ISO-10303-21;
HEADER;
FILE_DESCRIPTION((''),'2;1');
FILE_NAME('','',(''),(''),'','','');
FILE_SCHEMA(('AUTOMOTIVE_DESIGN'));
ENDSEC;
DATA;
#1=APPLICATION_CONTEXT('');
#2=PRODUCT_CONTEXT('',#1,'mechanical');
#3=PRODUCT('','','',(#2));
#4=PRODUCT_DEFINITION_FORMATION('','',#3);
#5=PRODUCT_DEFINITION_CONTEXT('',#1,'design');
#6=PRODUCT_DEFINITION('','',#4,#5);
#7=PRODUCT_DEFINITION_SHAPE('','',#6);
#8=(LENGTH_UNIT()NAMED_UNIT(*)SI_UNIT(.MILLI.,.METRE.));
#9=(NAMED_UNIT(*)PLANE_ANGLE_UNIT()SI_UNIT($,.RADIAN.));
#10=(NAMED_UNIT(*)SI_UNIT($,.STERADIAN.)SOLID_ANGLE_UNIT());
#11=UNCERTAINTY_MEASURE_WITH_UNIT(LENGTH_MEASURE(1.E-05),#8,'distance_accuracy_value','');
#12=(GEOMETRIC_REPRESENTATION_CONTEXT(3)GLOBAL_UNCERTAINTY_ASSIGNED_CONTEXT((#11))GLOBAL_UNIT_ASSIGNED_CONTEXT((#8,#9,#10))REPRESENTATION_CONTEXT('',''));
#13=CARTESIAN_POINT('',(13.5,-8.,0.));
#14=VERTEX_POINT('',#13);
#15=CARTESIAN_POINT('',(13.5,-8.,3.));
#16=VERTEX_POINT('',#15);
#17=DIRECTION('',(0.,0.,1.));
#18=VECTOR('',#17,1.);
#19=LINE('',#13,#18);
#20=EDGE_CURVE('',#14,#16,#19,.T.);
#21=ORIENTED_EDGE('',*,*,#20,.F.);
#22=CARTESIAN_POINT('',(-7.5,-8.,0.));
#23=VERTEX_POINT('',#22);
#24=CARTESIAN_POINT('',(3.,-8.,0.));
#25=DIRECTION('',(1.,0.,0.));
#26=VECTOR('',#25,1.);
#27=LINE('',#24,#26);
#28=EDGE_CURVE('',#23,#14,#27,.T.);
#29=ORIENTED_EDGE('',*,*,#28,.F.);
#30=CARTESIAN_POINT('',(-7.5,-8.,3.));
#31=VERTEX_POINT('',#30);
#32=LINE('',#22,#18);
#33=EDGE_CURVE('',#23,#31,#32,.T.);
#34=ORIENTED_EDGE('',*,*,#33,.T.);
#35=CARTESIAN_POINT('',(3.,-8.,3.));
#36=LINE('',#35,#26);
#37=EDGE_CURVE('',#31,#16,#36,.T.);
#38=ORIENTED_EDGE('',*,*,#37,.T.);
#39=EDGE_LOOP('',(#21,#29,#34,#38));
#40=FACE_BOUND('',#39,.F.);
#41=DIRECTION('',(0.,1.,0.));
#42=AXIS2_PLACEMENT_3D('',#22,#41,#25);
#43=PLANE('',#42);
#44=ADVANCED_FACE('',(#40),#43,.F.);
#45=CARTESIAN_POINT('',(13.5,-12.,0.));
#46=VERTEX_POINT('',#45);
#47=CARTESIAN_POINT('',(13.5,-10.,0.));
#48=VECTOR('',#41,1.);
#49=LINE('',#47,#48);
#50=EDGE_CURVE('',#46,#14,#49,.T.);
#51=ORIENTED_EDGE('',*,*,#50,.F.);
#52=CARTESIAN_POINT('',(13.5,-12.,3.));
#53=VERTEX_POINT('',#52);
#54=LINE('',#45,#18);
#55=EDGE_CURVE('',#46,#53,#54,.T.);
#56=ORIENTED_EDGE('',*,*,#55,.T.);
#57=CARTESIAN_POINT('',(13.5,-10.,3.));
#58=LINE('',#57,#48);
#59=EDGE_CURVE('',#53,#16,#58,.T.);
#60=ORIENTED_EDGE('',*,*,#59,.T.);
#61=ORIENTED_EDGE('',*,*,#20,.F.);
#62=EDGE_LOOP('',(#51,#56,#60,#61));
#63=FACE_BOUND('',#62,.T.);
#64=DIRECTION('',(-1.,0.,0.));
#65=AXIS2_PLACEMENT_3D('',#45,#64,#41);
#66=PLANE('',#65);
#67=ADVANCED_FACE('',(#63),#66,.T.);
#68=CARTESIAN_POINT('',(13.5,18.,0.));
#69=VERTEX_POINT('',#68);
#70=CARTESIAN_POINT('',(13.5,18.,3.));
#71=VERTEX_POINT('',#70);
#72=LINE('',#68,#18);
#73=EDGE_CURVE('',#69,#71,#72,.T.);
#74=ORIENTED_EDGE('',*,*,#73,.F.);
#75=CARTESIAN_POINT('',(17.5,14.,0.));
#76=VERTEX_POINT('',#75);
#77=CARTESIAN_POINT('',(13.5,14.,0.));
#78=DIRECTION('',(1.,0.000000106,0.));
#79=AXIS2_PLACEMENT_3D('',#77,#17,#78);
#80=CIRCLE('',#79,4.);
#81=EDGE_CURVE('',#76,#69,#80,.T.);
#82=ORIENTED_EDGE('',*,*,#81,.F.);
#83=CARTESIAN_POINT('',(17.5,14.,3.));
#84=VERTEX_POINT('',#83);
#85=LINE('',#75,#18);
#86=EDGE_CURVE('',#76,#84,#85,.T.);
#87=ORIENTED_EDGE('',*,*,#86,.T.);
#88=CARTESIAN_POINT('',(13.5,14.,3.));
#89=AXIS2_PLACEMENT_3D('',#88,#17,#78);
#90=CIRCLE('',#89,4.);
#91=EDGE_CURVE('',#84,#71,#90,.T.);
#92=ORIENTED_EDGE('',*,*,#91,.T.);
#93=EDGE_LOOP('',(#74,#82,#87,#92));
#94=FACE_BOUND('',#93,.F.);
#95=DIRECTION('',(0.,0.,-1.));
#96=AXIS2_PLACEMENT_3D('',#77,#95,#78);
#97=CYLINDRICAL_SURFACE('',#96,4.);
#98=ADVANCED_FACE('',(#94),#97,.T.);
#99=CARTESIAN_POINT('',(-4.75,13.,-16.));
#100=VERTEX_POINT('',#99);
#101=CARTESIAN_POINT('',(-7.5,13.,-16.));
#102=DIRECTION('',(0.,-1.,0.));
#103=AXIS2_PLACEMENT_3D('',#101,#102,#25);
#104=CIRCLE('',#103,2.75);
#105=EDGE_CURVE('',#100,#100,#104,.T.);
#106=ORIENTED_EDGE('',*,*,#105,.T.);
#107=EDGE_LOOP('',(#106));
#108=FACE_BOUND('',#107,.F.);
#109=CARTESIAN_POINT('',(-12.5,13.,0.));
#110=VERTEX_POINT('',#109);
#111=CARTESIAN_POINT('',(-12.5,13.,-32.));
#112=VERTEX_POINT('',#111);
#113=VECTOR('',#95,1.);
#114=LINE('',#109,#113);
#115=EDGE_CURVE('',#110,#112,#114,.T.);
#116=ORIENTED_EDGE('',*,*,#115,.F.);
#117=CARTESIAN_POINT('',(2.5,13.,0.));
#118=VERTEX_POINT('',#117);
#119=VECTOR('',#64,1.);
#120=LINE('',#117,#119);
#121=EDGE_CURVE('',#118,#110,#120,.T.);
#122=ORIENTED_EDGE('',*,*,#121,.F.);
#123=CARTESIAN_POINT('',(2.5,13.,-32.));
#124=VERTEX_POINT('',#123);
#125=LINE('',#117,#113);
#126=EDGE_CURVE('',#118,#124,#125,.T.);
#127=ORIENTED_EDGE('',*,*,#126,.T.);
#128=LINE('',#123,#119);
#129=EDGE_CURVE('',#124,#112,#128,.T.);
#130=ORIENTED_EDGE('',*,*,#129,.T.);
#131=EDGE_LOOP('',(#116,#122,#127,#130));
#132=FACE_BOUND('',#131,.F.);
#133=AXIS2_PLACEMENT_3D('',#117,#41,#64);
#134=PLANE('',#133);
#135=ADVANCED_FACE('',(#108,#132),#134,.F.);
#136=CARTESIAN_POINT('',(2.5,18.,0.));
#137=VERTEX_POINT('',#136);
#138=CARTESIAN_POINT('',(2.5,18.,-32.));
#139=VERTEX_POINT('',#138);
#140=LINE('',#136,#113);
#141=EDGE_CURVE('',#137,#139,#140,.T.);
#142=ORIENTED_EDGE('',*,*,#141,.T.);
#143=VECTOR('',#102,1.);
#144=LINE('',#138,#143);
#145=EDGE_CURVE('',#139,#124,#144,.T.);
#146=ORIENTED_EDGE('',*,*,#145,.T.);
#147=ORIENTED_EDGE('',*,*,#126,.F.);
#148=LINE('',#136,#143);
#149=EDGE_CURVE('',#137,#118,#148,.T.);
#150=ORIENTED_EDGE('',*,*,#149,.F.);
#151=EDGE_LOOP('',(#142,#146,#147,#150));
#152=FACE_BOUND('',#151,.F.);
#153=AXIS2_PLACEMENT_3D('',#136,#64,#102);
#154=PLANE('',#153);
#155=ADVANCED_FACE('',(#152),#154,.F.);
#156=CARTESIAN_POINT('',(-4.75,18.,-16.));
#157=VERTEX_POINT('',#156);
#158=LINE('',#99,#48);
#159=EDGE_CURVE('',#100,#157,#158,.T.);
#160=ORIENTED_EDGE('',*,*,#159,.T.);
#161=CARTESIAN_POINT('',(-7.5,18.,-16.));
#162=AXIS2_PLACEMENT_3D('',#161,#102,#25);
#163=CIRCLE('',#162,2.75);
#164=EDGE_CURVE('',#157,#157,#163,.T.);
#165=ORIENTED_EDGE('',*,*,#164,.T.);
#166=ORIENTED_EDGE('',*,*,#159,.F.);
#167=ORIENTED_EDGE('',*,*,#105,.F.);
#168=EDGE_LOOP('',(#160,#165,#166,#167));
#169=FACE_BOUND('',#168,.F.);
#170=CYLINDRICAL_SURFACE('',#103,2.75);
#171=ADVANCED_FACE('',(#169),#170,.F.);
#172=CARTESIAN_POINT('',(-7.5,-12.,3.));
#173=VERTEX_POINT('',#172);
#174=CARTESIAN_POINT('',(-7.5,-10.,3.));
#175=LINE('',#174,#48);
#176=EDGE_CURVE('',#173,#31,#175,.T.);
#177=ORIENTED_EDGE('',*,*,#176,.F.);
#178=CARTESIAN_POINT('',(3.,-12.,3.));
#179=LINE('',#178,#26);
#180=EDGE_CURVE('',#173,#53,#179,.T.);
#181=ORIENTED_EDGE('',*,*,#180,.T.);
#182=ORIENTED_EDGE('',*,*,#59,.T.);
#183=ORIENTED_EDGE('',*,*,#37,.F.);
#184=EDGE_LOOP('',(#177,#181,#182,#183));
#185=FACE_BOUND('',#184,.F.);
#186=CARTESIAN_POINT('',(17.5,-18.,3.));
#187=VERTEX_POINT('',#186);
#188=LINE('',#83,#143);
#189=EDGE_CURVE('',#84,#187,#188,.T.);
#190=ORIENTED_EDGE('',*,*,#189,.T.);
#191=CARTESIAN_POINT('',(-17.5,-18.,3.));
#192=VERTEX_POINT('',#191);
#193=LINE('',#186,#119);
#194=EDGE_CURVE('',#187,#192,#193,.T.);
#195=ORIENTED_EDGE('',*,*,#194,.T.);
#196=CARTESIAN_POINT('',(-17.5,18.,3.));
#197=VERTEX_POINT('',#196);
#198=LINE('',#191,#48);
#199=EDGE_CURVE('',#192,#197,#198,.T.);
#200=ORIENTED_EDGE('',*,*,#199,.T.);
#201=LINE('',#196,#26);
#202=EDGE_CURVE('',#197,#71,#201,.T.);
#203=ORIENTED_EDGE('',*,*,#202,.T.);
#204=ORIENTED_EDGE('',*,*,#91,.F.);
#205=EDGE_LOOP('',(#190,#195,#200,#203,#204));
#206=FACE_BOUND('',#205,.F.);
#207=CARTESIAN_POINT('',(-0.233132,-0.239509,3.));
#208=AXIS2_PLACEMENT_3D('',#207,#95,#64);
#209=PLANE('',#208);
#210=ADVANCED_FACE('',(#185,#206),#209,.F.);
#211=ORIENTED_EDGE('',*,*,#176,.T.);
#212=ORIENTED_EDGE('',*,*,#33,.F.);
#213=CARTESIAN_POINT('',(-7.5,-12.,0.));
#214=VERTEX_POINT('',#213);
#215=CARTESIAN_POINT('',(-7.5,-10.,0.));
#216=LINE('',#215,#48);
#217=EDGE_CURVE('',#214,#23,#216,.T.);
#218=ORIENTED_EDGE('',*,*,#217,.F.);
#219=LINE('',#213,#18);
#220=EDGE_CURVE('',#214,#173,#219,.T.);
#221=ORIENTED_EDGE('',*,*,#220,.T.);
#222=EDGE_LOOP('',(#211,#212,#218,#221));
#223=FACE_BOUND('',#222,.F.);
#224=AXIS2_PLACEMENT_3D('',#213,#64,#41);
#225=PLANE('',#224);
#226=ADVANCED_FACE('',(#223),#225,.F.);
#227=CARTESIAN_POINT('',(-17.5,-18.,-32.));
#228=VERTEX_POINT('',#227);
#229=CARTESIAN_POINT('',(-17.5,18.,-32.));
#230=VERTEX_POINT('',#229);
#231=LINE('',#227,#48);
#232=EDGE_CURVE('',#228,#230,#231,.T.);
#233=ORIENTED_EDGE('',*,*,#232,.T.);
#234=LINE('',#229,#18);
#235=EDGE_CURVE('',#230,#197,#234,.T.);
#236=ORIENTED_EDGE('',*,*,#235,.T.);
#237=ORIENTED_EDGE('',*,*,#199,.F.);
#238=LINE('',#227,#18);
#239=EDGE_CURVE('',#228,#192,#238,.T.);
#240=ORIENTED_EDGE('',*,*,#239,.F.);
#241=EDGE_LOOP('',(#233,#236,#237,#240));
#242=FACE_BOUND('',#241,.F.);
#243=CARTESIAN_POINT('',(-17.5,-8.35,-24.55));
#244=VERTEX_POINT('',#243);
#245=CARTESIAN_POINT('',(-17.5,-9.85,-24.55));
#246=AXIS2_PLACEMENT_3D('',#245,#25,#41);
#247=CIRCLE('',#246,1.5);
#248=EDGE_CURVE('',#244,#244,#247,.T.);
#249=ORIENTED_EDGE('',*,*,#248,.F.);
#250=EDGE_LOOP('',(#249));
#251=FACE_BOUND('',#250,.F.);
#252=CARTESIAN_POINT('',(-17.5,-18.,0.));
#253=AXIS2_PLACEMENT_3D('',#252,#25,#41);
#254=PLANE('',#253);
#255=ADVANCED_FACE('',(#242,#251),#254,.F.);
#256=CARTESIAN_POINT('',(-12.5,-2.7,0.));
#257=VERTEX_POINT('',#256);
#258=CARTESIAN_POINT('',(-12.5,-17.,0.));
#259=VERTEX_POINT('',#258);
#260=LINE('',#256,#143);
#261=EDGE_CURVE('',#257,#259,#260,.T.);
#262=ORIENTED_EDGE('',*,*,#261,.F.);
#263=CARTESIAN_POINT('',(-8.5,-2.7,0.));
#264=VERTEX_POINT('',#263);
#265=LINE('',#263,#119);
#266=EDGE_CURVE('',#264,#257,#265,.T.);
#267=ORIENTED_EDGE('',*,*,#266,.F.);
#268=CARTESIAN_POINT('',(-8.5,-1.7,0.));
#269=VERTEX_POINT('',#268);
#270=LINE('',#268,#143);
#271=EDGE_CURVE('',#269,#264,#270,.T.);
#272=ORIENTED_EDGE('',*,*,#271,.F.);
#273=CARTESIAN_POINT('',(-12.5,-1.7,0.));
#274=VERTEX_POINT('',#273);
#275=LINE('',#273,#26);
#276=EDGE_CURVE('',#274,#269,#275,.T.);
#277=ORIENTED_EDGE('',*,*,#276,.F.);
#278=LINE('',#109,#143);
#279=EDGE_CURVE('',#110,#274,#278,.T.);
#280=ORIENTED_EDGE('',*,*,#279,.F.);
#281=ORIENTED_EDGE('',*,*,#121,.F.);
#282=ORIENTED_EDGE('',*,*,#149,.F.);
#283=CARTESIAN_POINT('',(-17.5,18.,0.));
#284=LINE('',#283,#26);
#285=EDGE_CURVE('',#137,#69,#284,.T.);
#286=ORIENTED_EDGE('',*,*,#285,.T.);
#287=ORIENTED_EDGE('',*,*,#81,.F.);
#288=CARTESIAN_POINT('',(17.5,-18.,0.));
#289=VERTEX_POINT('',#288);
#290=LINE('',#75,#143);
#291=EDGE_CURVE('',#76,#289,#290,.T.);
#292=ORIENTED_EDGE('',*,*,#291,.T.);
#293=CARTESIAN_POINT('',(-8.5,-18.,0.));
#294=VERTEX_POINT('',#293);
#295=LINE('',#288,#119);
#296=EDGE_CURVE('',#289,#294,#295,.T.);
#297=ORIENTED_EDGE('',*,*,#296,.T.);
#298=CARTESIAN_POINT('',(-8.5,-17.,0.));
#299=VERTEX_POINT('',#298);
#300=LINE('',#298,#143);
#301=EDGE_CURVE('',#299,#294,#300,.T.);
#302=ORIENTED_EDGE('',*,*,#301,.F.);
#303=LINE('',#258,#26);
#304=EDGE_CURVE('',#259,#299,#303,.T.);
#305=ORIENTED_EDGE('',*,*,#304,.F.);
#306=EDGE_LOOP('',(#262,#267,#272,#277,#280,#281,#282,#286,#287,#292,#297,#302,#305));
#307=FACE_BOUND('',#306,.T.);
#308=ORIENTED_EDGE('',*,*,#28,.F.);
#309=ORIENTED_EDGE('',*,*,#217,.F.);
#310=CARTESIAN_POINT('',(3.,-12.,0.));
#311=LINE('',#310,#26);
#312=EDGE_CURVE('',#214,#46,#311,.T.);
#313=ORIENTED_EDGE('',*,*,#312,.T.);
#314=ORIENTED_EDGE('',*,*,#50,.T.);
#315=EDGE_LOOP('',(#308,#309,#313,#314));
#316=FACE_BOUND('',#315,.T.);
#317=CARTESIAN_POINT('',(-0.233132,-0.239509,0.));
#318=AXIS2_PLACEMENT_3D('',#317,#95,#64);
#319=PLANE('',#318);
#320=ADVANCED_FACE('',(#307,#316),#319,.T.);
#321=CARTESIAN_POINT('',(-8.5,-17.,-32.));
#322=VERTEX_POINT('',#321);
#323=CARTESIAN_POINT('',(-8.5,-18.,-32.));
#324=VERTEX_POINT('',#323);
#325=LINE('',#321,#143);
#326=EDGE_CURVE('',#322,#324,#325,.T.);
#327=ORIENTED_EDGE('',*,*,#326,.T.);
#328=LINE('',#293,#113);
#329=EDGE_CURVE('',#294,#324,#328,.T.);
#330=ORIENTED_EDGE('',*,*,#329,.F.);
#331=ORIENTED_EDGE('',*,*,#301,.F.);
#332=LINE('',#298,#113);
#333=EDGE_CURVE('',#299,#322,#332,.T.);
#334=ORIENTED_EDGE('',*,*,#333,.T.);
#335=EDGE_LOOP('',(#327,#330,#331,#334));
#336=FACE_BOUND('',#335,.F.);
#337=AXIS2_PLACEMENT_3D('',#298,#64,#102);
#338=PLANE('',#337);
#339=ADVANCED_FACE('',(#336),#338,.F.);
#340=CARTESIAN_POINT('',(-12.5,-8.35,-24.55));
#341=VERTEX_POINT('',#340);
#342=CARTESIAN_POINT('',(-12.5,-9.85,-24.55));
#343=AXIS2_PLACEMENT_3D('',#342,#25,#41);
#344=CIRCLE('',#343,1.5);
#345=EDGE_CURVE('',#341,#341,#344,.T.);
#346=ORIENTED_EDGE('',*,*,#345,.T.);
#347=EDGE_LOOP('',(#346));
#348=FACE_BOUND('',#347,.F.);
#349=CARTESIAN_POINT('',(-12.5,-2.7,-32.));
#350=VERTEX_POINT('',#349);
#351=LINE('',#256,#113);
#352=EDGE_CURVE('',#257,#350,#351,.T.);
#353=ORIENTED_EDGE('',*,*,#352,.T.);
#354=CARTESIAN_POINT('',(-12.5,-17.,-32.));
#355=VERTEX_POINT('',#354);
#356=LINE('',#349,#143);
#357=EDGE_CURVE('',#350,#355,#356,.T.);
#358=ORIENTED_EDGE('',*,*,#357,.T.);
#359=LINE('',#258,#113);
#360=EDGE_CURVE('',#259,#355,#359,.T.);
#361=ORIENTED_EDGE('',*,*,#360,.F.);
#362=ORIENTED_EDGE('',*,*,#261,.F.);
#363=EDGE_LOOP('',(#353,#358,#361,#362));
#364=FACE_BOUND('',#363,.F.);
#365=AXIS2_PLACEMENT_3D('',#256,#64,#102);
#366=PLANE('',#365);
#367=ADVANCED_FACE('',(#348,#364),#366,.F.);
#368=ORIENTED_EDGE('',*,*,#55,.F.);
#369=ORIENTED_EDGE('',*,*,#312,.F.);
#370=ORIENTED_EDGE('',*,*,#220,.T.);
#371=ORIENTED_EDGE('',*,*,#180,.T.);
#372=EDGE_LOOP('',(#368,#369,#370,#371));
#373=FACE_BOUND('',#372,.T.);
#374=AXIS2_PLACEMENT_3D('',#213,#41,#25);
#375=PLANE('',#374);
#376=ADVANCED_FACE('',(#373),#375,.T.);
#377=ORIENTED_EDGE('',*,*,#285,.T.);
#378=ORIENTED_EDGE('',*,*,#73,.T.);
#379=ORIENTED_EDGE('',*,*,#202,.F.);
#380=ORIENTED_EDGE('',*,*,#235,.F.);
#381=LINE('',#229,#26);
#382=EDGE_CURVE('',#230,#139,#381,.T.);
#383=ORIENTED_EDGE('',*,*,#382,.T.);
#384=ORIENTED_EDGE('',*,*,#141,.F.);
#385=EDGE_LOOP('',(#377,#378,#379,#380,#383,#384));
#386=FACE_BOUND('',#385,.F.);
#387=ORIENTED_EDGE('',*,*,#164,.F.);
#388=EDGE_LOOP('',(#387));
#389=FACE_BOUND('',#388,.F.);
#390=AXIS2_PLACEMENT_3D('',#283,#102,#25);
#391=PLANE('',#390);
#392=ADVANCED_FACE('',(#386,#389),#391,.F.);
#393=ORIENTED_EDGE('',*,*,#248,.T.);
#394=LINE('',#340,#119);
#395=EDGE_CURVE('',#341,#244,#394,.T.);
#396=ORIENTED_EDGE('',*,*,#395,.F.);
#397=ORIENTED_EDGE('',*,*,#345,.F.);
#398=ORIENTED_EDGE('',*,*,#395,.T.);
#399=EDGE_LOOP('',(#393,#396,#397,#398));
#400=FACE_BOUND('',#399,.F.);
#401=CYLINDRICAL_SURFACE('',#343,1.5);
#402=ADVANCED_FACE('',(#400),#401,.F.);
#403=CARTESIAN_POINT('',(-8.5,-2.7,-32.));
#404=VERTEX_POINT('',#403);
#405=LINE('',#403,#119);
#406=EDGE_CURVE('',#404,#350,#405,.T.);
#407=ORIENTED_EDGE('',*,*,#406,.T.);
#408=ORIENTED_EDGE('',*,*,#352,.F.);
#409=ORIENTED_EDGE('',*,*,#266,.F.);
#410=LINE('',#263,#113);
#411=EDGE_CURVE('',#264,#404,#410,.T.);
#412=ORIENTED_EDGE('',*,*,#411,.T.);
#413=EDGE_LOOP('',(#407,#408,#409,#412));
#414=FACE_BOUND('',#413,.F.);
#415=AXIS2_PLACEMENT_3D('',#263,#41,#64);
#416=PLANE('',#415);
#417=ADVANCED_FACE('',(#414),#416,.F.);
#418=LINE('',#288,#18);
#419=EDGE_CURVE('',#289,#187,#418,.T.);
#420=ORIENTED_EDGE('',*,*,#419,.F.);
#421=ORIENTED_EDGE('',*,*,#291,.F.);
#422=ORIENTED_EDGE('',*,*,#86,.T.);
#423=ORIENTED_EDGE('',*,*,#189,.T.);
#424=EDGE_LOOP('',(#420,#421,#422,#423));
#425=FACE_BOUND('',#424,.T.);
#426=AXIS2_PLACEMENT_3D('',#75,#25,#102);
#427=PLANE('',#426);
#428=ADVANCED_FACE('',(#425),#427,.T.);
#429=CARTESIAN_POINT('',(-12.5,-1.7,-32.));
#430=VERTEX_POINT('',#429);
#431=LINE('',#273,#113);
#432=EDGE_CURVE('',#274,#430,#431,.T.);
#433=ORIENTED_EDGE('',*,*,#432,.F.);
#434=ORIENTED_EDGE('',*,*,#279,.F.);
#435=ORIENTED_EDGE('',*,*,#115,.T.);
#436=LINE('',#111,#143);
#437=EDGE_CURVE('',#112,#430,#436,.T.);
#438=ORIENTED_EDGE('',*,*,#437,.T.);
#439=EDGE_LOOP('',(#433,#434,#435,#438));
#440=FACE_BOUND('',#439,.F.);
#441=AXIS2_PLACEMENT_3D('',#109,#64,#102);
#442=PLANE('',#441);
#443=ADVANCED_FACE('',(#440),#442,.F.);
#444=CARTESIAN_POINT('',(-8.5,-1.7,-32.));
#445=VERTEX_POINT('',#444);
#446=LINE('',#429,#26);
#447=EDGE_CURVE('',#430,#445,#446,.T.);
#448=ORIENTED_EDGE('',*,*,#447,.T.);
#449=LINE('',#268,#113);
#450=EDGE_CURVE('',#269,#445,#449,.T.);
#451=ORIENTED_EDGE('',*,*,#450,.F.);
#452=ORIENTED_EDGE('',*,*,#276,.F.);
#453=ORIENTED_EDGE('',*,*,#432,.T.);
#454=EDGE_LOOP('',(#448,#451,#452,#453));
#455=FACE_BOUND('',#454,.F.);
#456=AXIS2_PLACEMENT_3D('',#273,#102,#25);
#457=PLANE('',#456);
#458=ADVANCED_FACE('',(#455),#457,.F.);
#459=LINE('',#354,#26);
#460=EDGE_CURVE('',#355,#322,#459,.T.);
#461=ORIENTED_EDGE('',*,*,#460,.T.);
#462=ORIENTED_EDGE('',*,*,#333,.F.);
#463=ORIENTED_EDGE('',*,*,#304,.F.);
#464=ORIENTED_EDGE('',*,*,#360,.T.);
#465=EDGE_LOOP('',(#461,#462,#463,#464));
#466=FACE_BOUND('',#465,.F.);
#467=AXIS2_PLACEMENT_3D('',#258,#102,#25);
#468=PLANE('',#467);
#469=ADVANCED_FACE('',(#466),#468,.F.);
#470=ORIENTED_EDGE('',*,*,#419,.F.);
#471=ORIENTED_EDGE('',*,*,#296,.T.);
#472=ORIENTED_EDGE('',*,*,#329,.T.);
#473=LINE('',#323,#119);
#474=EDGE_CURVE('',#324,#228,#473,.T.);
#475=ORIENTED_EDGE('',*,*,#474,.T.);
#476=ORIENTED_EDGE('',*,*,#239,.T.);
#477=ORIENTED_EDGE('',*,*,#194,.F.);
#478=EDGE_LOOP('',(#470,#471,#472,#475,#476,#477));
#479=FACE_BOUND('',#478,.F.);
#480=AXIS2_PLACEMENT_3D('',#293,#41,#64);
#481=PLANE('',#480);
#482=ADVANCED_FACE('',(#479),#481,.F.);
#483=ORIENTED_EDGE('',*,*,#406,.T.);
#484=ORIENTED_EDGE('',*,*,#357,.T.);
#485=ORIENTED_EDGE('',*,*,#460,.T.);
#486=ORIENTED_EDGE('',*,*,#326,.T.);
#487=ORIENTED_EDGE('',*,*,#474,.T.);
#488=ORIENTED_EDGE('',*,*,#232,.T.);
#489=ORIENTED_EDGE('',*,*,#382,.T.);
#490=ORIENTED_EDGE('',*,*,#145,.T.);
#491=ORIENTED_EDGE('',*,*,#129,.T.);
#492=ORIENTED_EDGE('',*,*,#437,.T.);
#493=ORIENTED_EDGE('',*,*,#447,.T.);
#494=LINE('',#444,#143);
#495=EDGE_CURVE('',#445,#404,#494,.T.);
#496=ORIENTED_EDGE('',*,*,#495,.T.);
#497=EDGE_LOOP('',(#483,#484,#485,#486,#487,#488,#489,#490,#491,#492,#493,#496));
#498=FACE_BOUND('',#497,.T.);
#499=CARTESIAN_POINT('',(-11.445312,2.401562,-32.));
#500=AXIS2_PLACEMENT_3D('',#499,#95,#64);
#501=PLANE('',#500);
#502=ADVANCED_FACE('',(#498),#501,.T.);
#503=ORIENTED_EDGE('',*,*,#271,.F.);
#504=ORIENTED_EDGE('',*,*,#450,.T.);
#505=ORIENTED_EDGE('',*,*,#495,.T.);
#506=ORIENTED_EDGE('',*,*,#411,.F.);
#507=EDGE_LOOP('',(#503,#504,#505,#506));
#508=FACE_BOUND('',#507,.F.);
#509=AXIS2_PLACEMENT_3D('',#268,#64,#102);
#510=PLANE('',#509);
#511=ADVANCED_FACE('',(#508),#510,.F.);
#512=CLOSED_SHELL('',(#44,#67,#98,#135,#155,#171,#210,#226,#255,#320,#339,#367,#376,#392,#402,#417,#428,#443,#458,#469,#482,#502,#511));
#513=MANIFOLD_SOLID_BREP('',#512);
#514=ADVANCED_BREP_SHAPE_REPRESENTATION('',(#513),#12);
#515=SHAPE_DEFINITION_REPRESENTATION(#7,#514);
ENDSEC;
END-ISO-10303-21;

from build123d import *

# Parameters (mm, degrees)
SKETCH086_W     = 21
SKETCH086_H     = 4
PAD052_DEPTH    = 3
PAD053_DEPTH    = 32
SKETCH088_R     = 2.75
POCKET027_DEPTH = 5.001
SKETCH089_R     = 1.5
POCKET028_DEPTH = 5.001


with BuildPart() as part:
    # Sketch086 → Pad052 (new body)
    with BuildSketch(Plane.XY):
        with BuildLine():
            Line((-17.5, 18), (13.5, 18))
            ThreePointArc((17.5, 14), (16.328427, 16.828427), (13.5, 18))
            Line((17.5, 14), (17.5, -18))
            Line((17.5, -18), (-17.5, -18))
            Line((-17.5, -18), (-17.5, 18))
        make_face()
        with Locations((3, -10)):
            Rectangle(SKETCH086_W, SKETCH086_H, mode=Mode.SUBTRACT)
    extrude(amount=PAD052_DEPTH)

    # Sketch087 → Pad053 (join)
    with BuildSketch(Plane(origin=(0, 0, 0), x_dir=(-1, 0, 0), z_dir=(0, 0, -1))):
        Polygon((17.5, 18), (-2.5, 18), (-2.5, 13), (12.5, 13), (12.5, -1.7), (8.5, -1.7), (8.5, -2.7), (12.5, -2.7), (12.5, -17), (8.5, -17), (8.5, -18), (17.5, -18), align=None)
    extrude(amount=PAD053_DEPTH)

    # Sketch088 (on Face16 of Pad053) → Pocket027 (cut, through all)
    with BuildSketch(Plane.XZ.offset(-13)):
        with Locations((-7.5, -16)):
            Circle(SKETCH088_R)
    extrude(amount=-POCKET027_DEPTH, mode=Mode.SUBTRACT)

    # Sketch089 (on Face11 of Pocket027) → Pocket028 (cut, through all)
    with BuildSketch(Plane.YZ.offset(-12.5)):
        with Locations((-9.85, -24.55)):
            Circle(SKETCH089_R)
    extrude(amount=-POCKET028_DEPTH, mode=Mode.SUBTRACT)


solid = part.part
